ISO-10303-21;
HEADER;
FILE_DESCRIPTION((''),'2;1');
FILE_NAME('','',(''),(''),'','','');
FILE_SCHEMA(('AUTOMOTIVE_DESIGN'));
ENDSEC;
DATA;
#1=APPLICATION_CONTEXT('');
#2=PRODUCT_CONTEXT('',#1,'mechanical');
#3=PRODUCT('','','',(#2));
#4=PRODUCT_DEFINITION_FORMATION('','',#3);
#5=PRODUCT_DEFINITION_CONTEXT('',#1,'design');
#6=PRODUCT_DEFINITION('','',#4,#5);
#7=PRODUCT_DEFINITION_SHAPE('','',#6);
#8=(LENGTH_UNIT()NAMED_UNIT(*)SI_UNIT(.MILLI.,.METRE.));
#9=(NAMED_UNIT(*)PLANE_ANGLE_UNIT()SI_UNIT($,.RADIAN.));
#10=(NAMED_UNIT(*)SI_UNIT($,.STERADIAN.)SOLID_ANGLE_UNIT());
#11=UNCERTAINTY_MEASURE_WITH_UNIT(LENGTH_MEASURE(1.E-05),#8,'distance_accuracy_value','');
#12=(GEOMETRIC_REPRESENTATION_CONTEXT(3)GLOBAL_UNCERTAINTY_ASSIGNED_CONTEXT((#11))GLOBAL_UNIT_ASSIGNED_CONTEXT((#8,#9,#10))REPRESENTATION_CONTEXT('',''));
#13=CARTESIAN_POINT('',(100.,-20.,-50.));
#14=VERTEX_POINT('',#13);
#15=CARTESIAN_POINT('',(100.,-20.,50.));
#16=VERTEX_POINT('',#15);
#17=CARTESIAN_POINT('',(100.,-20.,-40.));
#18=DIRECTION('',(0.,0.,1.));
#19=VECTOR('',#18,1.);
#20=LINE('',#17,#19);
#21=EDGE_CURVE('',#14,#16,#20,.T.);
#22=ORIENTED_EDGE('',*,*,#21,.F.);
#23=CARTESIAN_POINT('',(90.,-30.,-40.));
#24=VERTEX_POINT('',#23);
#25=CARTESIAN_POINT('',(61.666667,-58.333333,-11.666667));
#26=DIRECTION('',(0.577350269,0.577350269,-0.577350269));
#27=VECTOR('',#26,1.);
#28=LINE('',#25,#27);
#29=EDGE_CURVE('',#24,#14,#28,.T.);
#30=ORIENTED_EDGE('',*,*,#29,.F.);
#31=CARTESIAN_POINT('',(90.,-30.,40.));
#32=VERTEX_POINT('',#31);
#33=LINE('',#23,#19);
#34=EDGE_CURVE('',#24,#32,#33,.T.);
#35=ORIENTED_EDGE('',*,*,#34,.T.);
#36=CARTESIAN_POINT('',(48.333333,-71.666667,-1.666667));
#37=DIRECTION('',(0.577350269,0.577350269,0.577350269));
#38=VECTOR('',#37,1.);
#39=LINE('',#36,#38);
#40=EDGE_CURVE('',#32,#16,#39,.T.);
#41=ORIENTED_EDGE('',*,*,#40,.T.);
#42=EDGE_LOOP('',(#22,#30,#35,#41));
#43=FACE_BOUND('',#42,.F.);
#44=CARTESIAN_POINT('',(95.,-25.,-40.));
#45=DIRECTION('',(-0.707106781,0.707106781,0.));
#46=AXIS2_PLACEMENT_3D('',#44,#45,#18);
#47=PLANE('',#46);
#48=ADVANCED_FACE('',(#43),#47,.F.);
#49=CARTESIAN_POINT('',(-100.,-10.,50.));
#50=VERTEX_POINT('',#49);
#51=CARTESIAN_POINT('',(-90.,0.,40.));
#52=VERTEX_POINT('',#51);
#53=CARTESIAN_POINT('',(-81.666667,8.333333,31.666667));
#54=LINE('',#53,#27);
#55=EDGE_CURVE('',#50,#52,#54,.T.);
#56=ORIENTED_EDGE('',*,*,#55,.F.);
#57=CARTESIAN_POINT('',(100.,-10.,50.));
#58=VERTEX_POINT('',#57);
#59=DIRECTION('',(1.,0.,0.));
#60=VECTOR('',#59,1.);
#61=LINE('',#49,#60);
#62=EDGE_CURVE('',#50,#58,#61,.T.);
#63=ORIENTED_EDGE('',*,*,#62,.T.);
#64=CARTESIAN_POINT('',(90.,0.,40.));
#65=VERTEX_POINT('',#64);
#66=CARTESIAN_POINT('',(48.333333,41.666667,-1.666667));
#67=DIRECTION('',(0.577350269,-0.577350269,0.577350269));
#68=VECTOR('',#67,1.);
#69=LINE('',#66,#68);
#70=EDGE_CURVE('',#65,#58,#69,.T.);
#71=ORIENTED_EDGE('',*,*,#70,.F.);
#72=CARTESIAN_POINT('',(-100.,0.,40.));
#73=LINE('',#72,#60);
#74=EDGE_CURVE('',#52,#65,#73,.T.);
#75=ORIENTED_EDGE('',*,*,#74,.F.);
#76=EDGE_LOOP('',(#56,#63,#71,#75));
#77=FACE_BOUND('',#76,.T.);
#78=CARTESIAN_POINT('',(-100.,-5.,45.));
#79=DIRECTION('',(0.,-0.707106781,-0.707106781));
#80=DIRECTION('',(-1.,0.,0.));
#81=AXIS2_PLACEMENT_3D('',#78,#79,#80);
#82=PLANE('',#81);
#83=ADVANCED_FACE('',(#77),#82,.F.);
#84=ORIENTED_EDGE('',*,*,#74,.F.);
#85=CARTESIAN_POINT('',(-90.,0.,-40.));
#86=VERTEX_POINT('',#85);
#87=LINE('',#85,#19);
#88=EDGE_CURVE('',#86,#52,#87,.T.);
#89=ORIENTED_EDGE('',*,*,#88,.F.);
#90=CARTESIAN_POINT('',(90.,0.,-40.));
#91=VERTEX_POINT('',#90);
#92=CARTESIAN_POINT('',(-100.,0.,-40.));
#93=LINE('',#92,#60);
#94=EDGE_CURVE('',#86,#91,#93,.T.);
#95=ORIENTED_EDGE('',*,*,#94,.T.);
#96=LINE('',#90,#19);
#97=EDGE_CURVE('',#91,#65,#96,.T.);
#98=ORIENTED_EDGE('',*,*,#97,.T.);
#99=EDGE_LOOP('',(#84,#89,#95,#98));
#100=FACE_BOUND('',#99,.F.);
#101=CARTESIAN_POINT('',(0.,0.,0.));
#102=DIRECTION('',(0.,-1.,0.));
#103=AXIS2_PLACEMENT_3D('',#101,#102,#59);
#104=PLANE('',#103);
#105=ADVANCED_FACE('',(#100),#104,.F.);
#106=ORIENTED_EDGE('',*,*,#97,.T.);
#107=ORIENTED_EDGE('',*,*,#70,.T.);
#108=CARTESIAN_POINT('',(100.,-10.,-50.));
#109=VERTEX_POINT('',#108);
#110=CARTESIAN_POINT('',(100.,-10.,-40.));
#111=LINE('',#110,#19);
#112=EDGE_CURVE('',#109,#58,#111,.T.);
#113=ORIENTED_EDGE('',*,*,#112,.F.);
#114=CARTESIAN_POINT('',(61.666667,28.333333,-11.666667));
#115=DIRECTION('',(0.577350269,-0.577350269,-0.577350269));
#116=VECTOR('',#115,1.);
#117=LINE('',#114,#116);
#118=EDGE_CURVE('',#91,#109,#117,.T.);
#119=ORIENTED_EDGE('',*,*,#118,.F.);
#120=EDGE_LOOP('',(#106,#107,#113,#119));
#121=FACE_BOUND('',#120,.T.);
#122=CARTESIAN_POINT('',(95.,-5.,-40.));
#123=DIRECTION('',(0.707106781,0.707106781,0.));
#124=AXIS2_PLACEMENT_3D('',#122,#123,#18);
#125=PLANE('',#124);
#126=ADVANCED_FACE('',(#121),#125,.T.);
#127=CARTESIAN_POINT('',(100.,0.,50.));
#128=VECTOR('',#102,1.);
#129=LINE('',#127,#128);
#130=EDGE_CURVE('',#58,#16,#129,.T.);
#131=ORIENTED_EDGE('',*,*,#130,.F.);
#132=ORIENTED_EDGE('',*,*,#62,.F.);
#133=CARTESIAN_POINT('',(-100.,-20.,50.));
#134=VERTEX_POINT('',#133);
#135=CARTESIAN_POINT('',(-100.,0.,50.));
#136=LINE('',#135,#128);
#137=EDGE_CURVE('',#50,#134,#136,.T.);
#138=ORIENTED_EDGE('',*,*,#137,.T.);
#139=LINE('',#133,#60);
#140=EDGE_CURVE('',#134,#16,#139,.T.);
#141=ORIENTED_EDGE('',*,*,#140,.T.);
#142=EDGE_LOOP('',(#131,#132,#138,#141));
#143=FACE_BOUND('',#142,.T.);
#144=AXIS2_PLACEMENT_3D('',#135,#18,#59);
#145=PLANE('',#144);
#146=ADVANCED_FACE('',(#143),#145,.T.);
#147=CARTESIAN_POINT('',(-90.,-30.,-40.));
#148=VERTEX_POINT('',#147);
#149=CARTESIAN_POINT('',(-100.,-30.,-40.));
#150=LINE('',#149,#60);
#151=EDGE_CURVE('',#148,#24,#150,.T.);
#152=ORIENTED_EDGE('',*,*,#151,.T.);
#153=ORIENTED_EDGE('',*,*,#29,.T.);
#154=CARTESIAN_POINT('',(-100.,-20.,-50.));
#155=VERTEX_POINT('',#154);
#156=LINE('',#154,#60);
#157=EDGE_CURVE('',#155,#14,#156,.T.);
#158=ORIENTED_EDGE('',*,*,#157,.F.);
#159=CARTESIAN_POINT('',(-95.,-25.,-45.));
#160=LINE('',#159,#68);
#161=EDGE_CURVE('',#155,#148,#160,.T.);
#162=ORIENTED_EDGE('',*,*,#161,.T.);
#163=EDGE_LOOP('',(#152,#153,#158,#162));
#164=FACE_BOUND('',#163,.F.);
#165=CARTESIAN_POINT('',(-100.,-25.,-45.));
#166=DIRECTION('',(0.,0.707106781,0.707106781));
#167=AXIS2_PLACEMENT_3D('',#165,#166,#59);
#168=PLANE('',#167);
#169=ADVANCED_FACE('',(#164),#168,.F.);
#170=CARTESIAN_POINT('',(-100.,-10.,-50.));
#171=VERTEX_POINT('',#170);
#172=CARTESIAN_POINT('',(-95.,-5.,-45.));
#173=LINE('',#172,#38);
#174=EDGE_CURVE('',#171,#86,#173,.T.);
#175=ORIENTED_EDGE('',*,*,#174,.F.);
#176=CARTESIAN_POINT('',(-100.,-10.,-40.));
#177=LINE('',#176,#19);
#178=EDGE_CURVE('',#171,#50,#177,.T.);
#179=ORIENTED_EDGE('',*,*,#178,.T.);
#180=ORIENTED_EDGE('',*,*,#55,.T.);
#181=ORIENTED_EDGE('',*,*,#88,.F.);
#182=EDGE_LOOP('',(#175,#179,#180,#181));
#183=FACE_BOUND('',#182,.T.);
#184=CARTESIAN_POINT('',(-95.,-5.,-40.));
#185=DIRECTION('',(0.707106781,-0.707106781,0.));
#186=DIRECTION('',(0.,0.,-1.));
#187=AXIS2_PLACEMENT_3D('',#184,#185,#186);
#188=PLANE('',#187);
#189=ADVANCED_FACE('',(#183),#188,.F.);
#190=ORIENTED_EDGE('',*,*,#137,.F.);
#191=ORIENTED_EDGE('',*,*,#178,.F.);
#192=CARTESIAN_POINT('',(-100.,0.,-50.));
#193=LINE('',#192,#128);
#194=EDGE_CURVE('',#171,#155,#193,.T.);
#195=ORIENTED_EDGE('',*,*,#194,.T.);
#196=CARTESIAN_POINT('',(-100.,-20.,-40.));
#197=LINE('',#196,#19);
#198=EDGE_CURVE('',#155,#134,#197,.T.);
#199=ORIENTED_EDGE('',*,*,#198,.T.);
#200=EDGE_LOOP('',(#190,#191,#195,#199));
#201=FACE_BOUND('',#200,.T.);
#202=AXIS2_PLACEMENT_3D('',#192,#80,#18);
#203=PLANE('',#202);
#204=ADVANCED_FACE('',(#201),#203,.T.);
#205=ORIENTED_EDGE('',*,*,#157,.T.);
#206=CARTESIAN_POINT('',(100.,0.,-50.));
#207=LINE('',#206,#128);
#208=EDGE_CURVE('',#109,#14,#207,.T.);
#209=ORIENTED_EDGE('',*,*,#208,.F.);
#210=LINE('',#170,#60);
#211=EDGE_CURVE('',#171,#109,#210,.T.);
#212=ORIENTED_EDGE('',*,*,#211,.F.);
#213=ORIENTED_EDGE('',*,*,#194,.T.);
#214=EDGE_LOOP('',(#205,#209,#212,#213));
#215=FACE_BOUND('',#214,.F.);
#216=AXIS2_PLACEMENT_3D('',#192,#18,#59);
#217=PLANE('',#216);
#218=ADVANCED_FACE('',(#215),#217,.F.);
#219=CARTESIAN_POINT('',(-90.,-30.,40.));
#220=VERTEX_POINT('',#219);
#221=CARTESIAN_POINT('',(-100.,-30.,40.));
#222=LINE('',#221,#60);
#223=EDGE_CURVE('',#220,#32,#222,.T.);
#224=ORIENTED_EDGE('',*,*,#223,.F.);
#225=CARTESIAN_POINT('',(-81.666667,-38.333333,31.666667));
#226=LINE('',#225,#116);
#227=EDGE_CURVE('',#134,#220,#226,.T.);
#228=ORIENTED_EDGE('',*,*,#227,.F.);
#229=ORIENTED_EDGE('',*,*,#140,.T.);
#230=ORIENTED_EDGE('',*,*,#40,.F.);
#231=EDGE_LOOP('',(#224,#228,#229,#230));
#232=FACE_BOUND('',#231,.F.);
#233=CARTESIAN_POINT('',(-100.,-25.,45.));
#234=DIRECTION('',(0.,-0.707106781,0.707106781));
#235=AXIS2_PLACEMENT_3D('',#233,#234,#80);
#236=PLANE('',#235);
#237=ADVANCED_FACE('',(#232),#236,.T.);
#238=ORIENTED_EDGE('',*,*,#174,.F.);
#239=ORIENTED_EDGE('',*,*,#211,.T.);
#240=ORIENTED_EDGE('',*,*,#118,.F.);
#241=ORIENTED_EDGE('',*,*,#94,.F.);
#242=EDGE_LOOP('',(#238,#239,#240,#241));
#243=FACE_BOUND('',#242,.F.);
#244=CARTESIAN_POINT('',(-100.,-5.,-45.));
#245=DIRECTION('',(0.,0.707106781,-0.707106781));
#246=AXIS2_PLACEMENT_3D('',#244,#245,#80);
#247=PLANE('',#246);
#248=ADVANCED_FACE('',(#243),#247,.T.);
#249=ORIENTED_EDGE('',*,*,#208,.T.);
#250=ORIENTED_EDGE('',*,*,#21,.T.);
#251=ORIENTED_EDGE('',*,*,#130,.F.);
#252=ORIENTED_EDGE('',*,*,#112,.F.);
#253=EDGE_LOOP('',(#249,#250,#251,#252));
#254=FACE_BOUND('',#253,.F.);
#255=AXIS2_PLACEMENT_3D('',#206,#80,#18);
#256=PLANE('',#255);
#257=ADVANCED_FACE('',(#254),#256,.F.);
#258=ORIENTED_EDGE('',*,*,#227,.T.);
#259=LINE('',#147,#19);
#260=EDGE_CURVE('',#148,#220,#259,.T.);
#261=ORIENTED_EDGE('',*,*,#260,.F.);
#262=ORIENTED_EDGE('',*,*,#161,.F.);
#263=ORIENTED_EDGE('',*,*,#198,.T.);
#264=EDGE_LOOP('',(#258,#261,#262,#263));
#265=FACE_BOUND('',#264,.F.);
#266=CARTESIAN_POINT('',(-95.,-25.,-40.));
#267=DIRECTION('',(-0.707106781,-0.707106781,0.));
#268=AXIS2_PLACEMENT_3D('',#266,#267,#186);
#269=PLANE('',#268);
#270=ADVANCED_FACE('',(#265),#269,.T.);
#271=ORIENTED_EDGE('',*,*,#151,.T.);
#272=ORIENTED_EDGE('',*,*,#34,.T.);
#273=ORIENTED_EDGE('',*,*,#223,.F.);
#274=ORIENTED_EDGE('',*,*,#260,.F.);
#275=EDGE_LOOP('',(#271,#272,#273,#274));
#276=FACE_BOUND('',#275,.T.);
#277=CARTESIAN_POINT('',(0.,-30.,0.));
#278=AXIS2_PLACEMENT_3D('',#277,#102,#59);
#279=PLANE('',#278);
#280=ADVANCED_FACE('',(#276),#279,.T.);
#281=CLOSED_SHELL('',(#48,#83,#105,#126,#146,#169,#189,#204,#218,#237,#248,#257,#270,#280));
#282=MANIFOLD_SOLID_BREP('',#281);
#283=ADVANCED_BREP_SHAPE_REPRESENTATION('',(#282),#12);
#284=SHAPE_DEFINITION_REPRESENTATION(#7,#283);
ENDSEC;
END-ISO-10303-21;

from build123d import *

# Parameters (mm, degrees)
F0_W     = 200
F0_H     = 100
F1_DEPTH = 30
F2_SIZE  = 10
F3_SIZE  = 10
F4_SIZE  = 10
F5_SIZE  = 10
F6_SIZE  = 10
F7_SIZE  = 10
F8_SIZE  = 10
F9_SIZE  = 10


with BuildPart() as f1:
    # F0 (on Front) → F1 (new body)
    with BuildSketch(Plane.XZ):
        Rectangle(F0_W, F0_H)
    extrude(amount=F1_DEPTH)

    # F2
    f2_edges = [f1.edges().sort_by_distance(p)[0] for p in [
        (0, -30, 50),
    ]]
    chamfer(f2_edges, length=F2_SIZE)

    # F3
    f3_edges = [f1.edges().sort_by_distance(p)[0] for p in [
        (0, 0, 50),
    ]]
    chamfer(f3_edges, length=F3_SIZE)

    # F4
    f4_edges = [f1.edges().sort_by_distance(p)[0] for p in [
        (0, -30, -50),
    ]]
    chamfer(f4_edges, length=F4_SIZE)

    # F5
    f5_edges = [f1.edges().sort_by_distance(p)[0] for p in [
        (0, 0, -50),
    ]]
    chamfer(f5_edges, length=F5_SIZE)

    # F6
    f6_edges = [f1.edges().sort_by_distance(p)[0] for p in [
        (-100, -30, 0),
    ]]
    chamfer(f6_edges, length=F6_SIZE)

    # F7
    f7_edges = [f1.edges().sort_by_distance(p)[0] for p in [
        (100, -30, 0),
    ]]
    chamfer(f7_edges, length=F7_SIZE)

    # F8
    f8_edges = [f1.edges().sort_by_distance(p)[0] for p in [
        (-100, 0, 0),
    ]]
    chamfer(f8_edges, length=F8_SIZE)

    # F9
    f9_edges = [f1.edges().sort_by_distance(p)[0] for p in [
        (100, 0, 0),
    ]]
    chamfer(f9_edges, length=F9_SIZE)


solid = f1.part
